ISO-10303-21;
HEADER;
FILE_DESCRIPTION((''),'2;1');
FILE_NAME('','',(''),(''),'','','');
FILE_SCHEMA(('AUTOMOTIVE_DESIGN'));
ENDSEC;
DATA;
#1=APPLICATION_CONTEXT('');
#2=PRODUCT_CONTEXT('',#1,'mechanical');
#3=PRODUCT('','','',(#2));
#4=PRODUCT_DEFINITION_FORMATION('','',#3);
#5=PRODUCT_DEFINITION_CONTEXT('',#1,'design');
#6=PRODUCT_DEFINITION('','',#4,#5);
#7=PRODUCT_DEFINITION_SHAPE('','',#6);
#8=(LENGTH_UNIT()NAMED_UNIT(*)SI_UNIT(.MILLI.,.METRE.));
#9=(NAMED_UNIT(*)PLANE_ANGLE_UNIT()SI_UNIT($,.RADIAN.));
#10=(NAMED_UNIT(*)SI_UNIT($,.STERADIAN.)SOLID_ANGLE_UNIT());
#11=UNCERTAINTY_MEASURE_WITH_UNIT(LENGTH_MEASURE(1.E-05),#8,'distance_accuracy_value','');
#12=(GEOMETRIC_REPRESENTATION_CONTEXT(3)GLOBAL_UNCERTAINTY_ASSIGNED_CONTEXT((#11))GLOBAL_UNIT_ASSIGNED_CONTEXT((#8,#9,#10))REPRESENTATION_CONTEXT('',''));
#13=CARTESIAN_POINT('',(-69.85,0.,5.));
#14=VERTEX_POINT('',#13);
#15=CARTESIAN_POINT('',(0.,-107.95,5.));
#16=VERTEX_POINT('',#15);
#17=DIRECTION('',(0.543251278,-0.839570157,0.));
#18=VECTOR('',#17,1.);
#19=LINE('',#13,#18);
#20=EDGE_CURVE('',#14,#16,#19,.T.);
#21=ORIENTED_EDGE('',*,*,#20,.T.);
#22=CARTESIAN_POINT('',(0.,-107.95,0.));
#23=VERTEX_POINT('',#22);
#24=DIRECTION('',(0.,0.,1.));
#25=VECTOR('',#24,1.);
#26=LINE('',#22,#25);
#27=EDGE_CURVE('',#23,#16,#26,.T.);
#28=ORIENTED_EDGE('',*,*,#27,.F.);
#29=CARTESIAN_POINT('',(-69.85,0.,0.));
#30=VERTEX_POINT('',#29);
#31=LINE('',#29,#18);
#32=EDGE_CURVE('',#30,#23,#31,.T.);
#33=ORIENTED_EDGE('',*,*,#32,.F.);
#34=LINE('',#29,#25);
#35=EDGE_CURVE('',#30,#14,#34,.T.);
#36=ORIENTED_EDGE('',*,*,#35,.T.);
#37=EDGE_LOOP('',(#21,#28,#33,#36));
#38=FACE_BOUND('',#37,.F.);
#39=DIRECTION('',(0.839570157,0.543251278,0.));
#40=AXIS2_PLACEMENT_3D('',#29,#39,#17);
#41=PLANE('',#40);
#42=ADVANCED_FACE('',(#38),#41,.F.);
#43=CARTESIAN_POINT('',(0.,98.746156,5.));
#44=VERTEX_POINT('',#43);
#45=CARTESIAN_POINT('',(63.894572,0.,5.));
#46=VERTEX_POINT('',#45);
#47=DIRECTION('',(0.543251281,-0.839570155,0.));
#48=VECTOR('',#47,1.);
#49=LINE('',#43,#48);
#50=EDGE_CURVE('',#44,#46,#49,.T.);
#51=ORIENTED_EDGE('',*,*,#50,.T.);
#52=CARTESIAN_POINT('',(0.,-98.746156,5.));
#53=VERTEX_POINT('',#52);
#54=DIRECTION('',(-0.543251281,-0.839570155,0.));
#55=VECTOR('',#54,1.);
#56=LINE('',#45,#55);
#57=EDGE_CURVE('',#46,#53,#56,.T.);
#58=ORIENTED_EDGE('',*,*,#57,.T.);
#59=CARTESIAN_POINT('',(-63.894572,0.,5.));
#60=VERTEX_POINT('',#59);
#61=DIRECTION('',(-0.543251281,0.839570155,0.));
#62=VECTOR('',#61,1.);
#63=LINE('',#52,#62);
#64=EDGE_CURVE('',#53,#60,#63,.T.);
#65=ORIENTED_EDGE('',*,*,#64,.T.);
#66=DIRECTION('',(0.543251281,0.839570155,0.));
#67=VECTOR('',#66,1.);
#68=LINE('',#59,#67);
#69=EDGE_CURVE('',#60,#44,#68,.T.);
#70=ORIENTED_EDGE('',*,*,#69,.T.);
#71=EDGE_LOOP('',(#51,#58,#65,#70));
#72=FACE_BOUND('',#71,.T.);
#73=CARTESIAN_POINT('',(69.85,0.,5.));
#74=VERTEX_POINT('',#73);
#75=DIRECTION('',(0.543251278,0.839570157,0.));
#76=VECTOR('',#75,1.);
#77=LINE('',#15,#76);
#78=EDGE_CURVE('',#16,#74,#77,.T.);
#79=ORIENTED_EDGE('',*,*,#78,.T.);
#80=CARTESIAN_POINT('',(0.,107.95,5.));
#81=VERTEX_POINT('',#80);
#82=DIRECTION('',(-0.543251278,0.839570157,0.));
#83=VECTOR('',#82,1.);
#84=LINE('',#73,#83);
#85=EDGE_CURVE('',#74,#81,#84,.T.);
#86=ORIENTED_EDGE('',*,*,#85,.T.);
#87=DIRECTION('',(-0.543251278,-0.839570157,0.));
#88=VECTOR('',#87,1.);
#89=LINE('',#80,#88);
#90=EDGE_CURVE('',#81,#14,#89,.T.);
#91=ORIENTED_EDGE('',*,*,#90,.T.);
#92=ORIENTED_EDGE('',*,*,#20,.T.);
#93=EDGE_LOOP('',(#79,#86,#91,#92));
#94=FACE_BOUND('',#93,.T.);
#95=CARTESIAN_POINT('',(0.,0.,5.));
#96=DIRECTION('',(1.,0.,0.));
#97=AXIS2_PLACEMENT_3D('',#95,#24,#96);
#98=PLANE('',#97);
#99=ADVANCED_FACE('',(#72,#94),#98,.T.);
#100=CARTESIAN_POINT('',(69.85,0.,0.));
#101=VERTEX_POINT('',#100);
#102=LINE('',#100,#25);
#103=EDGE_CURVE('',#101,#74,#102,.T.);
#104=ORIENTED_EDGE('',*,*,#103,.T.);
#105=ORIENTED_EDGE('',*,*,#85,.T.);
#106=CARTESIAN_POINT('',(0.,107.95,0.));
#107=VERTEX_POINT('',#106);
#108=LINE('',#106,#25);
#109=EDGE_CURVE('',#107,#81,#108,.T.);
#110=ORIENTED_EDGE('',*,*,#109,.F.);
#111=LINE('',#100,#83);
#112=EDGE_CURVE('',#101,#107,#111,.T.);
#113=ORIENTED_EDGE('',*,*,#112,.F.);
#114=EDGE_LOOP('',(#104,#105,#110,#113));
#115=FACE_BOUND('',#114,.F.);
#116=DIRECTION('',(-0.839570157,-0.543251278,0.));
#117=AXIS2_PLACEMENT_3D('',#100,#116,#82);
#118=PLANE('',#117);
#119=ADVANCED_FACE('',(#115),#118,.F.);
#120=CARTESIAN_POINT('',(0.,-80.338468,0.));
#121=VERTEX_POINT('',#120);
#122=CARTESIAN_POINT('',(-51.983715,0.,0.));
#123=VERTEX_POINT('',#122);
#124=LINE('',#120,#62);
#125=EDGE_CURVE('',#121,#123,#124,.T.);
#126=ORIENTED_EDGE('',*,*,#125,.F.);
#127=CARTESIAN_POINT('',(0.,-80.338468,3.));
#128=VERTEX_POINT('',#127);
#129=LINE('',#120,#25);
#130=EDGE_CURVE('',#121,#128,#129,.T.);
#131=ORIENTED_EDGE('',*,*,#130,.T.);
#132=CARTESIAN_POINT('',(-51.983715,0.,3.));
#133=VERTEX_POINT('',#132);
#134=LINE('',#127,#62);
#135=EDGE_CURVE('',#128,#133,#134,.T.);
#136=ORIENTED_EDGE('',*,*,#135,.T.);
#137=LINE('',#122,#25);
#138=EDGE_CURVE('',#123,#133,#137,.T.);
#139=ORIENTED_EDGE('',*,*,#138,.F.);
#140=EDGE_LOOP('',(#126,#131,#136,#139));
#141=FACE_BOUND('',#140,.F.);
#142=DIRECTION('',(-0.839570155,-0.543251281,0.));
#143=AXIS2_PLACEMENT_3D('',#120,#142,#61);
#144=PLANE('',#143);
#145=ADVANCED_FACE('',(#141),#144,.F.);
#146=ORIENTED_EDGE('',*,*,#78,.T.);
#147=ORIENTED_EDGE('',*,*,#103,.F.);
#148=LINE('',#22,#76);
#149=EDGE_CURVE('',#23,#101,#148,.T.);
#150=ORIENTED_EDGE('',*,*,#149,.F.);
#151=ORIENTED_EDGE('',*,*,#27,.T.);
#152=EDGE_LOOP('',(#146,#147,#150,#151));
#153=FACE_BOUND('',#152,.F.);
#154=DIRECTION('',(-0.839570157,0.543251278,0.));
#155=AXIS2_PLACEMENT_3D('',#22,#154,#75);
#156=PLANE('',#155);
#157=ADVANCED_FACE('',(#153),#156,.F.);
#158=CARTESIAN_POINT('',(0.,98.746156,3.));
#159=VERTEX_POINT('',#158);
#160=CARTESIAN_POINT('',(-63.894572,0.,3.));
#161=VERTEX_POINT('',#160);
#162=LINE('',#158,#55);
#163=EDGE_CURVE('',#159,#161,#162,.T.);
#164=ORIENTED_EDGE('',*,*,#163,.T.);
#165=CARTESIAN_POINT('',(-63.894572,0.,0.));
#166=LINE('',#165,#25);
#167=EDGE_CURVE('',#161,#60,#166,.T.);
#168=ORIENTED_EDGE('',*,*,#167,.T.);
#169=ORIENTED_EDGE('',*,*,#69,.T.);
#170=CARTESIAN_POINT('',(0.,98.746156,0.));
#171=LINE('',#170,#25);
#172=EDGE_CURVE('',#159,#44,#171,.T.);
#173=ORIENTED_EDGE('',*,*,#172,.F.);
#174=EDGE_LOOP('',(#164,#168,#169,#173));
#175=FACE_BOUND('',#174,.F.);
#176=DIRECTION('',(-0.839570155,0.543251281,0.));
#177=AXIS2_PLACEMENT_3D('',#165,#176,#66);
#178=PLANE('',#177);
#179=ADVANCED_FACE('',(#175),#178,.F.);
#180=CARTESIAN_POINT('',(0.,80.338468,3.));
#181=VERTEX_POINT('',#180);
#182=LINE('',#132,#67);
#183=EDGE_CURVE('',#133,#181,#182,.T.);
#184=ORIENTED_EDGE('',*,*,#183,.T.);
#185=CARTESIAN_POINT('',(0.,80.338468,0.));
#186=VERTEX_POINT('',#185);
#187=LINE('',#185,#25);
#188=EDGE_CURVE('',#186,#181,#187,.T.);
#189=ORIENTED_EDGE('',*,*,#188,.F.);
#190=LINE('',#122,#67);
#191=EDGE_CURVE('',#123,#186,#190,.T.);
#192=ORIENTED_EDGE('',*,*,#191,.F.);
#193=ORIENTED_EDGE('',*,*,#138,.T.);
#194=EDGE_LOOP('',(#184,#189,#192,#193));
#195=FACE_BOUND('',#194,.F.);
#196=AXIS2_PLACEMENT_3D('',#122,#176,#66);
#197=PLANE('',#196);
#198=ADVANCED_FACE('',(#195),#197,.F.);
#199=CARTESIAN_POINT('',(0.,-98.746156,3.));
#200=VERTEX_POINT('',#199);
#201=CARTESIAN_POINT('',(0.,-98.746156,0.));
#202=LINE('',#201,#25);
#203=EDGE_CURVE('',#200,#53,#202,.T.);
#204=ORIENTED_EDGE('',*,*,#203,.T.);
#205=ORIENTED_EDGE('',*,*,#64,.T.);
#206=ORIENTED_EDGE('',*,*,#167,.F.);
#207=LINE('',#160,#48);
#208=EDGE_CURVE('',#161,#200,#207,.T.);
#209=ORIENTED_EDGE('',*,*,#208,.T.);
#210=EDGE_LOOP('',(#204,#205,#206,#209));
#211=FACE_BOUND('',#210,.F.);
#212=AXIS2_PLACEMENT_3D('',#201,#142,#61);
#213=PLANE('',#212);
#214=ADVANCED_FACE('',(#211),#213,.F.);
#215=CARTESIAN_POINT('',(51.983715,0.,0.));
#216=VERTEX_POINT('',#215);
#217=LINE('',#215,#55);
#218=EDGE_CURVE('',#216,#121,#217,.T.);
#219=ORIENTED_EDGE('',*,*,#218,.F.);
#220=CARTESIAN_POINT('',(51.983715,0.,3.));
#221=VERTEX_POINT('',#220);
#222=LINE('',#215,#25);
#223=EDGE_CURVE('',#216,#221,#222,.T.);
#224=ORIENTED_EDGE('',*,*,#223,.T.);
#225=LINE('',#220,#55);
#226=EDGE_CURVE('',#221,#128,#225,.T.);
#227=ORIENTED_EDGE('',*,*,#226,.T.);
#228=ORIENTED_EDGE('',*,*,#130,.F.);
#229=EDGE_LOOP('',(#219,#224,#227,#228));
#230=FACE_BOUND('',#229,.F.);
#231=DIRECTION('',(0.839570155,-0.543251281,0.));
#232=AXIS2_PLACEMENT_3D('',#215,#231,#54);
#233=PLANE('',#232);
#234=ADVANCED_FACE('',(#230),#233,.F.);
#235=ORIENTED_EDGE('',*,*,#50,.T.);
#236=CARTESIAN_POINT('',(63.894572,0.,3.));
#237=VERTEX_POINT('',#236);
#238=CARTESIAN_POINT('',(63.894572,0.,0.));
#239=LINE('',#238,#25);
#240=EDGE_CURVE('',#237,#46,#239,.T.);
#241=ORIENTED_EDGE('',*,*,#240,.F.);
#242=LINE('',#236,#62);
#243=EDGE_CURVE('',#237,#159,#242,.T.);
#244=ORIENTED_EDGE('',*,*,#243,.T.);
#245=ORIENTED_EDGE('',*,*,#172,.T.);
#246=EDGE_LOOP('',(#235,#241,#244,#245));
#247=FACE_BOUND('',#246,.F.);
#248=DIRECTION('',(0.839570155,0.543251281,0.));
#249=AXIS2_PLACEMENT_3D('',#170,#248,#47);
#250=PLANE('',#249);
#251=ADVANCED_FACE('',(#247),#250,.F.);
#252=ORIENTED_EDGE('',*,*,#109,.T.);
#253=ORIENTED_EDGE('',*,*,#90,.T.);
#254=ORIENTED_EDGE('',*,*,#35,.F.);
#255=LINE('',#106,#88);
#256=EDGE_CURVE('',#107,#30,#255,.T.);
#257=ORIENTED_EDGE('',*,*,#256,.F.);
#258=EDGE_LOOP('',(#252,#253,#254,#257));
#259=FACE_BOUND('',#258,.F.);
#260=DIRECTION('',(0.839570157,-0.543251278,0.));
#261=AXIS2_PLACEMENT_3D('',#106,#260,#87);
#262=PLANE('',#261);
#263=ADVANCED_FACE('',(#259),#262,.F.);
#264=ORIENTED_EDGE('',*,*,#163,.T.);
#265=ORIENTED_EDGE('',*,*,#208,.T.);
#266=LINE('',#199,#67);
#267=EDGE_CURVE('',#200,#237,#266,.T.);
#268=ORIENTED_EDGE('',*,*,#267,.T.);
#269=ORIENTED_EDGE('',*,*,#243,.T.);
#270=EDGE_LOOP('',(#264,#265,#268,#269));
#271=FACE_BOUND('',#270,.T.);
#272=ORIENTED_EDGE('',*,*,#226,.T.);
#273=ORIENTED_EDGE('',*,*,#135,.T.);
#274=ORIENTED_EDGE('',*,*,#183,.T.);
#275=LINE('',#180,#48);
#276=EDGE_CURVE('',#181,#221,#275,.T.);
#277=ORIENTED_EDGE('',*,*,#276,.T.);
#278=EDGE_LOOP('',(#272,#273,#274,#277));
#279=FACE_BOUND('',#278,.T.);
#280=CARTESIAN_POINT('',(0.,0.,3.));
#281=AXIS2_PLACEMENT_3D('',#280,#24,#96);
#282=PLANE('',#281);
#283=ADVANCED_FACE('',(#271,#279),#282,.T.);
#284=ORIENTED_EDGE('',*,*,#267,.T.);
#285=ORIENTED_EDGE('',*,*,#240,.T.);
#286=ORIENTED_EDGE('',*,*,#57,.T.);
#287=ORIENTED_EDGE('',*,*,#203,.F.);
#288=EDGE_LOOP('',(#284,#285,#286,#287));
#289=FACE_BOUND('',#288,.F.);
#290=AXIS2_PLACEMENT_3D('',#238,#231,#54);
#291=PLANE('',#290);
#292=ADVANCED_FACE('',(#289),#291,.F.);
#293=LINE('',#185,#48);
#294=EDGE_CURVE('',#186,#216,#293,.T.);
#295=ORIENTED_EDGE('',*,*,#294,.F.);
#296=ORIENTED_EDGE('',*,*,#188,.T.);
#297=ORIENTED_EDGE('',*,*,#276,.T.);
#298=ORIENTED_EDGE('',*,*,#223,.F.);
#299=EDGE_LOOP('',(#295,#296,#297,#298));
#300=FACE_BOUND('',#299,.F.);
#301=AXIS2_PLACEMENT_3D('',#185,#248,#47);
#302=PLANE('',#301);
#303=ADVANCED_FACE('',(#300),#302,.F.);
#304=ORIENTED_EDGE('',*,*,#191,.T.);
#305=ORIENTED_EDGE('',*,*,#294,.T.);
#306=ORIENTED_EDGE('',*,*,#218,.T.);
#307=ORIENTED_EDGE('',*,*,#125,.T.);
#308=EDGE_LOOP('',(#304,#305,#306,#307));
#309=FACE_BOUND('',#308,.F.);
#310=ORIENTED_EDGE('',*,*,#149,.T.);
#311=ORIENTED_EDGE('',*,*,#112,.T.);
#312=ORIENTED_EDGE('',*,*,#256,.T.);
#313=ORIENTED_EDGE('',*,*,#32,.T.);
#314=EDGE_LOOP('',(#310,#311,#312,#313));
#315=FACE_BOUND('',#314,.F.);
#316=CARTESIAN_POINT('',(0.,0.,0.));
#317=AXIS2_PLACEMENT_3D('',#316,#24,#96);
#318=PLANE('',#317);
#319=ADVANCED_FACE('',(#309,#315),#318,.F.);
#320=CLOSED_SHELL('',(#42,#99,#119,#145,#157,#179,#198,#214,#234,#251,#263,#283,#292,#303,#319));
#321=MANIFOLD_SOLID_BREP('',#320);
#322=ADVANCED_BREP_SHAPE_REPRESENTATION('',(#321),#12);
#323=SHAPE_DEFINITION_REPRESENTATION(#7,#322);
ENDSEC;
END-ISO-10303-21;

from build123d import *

# Parameters (mm, degrees)
F1_DEPTH = 5
F2_DEPTH = 3


with BuildPart() as f1:
    # F0 (on Top) → F1 (new body)
    with BuildSketch(Plane.XY):
        Polygon((0, 107.95), (-69.85, 0), (0, -107.95), (69.85, 0), align=None)
        Polygon((0, -98.746156), (-63.894572, 0), (0, 98.746156), (63.894572, 0), align=None, mode=Mode.SUBTRACT)
    extrude(amount=F1_DEPTH)

    # F0 (on Top) → F2 (join)
    with BuildSketch(Plane.XY):
        Polygon((0, 98.746156), (-63.894572, 0), (0, -98.746156), (63.894572, 0), align=None)
        Polygon((-51.983715, 0), (0, 80.338468), (51.983715, 0), (0, -80.338468), align=None, mode=Mode.SUBTRACT)
    extrude(amount=F2_DEPTH)


solid = f1.part
